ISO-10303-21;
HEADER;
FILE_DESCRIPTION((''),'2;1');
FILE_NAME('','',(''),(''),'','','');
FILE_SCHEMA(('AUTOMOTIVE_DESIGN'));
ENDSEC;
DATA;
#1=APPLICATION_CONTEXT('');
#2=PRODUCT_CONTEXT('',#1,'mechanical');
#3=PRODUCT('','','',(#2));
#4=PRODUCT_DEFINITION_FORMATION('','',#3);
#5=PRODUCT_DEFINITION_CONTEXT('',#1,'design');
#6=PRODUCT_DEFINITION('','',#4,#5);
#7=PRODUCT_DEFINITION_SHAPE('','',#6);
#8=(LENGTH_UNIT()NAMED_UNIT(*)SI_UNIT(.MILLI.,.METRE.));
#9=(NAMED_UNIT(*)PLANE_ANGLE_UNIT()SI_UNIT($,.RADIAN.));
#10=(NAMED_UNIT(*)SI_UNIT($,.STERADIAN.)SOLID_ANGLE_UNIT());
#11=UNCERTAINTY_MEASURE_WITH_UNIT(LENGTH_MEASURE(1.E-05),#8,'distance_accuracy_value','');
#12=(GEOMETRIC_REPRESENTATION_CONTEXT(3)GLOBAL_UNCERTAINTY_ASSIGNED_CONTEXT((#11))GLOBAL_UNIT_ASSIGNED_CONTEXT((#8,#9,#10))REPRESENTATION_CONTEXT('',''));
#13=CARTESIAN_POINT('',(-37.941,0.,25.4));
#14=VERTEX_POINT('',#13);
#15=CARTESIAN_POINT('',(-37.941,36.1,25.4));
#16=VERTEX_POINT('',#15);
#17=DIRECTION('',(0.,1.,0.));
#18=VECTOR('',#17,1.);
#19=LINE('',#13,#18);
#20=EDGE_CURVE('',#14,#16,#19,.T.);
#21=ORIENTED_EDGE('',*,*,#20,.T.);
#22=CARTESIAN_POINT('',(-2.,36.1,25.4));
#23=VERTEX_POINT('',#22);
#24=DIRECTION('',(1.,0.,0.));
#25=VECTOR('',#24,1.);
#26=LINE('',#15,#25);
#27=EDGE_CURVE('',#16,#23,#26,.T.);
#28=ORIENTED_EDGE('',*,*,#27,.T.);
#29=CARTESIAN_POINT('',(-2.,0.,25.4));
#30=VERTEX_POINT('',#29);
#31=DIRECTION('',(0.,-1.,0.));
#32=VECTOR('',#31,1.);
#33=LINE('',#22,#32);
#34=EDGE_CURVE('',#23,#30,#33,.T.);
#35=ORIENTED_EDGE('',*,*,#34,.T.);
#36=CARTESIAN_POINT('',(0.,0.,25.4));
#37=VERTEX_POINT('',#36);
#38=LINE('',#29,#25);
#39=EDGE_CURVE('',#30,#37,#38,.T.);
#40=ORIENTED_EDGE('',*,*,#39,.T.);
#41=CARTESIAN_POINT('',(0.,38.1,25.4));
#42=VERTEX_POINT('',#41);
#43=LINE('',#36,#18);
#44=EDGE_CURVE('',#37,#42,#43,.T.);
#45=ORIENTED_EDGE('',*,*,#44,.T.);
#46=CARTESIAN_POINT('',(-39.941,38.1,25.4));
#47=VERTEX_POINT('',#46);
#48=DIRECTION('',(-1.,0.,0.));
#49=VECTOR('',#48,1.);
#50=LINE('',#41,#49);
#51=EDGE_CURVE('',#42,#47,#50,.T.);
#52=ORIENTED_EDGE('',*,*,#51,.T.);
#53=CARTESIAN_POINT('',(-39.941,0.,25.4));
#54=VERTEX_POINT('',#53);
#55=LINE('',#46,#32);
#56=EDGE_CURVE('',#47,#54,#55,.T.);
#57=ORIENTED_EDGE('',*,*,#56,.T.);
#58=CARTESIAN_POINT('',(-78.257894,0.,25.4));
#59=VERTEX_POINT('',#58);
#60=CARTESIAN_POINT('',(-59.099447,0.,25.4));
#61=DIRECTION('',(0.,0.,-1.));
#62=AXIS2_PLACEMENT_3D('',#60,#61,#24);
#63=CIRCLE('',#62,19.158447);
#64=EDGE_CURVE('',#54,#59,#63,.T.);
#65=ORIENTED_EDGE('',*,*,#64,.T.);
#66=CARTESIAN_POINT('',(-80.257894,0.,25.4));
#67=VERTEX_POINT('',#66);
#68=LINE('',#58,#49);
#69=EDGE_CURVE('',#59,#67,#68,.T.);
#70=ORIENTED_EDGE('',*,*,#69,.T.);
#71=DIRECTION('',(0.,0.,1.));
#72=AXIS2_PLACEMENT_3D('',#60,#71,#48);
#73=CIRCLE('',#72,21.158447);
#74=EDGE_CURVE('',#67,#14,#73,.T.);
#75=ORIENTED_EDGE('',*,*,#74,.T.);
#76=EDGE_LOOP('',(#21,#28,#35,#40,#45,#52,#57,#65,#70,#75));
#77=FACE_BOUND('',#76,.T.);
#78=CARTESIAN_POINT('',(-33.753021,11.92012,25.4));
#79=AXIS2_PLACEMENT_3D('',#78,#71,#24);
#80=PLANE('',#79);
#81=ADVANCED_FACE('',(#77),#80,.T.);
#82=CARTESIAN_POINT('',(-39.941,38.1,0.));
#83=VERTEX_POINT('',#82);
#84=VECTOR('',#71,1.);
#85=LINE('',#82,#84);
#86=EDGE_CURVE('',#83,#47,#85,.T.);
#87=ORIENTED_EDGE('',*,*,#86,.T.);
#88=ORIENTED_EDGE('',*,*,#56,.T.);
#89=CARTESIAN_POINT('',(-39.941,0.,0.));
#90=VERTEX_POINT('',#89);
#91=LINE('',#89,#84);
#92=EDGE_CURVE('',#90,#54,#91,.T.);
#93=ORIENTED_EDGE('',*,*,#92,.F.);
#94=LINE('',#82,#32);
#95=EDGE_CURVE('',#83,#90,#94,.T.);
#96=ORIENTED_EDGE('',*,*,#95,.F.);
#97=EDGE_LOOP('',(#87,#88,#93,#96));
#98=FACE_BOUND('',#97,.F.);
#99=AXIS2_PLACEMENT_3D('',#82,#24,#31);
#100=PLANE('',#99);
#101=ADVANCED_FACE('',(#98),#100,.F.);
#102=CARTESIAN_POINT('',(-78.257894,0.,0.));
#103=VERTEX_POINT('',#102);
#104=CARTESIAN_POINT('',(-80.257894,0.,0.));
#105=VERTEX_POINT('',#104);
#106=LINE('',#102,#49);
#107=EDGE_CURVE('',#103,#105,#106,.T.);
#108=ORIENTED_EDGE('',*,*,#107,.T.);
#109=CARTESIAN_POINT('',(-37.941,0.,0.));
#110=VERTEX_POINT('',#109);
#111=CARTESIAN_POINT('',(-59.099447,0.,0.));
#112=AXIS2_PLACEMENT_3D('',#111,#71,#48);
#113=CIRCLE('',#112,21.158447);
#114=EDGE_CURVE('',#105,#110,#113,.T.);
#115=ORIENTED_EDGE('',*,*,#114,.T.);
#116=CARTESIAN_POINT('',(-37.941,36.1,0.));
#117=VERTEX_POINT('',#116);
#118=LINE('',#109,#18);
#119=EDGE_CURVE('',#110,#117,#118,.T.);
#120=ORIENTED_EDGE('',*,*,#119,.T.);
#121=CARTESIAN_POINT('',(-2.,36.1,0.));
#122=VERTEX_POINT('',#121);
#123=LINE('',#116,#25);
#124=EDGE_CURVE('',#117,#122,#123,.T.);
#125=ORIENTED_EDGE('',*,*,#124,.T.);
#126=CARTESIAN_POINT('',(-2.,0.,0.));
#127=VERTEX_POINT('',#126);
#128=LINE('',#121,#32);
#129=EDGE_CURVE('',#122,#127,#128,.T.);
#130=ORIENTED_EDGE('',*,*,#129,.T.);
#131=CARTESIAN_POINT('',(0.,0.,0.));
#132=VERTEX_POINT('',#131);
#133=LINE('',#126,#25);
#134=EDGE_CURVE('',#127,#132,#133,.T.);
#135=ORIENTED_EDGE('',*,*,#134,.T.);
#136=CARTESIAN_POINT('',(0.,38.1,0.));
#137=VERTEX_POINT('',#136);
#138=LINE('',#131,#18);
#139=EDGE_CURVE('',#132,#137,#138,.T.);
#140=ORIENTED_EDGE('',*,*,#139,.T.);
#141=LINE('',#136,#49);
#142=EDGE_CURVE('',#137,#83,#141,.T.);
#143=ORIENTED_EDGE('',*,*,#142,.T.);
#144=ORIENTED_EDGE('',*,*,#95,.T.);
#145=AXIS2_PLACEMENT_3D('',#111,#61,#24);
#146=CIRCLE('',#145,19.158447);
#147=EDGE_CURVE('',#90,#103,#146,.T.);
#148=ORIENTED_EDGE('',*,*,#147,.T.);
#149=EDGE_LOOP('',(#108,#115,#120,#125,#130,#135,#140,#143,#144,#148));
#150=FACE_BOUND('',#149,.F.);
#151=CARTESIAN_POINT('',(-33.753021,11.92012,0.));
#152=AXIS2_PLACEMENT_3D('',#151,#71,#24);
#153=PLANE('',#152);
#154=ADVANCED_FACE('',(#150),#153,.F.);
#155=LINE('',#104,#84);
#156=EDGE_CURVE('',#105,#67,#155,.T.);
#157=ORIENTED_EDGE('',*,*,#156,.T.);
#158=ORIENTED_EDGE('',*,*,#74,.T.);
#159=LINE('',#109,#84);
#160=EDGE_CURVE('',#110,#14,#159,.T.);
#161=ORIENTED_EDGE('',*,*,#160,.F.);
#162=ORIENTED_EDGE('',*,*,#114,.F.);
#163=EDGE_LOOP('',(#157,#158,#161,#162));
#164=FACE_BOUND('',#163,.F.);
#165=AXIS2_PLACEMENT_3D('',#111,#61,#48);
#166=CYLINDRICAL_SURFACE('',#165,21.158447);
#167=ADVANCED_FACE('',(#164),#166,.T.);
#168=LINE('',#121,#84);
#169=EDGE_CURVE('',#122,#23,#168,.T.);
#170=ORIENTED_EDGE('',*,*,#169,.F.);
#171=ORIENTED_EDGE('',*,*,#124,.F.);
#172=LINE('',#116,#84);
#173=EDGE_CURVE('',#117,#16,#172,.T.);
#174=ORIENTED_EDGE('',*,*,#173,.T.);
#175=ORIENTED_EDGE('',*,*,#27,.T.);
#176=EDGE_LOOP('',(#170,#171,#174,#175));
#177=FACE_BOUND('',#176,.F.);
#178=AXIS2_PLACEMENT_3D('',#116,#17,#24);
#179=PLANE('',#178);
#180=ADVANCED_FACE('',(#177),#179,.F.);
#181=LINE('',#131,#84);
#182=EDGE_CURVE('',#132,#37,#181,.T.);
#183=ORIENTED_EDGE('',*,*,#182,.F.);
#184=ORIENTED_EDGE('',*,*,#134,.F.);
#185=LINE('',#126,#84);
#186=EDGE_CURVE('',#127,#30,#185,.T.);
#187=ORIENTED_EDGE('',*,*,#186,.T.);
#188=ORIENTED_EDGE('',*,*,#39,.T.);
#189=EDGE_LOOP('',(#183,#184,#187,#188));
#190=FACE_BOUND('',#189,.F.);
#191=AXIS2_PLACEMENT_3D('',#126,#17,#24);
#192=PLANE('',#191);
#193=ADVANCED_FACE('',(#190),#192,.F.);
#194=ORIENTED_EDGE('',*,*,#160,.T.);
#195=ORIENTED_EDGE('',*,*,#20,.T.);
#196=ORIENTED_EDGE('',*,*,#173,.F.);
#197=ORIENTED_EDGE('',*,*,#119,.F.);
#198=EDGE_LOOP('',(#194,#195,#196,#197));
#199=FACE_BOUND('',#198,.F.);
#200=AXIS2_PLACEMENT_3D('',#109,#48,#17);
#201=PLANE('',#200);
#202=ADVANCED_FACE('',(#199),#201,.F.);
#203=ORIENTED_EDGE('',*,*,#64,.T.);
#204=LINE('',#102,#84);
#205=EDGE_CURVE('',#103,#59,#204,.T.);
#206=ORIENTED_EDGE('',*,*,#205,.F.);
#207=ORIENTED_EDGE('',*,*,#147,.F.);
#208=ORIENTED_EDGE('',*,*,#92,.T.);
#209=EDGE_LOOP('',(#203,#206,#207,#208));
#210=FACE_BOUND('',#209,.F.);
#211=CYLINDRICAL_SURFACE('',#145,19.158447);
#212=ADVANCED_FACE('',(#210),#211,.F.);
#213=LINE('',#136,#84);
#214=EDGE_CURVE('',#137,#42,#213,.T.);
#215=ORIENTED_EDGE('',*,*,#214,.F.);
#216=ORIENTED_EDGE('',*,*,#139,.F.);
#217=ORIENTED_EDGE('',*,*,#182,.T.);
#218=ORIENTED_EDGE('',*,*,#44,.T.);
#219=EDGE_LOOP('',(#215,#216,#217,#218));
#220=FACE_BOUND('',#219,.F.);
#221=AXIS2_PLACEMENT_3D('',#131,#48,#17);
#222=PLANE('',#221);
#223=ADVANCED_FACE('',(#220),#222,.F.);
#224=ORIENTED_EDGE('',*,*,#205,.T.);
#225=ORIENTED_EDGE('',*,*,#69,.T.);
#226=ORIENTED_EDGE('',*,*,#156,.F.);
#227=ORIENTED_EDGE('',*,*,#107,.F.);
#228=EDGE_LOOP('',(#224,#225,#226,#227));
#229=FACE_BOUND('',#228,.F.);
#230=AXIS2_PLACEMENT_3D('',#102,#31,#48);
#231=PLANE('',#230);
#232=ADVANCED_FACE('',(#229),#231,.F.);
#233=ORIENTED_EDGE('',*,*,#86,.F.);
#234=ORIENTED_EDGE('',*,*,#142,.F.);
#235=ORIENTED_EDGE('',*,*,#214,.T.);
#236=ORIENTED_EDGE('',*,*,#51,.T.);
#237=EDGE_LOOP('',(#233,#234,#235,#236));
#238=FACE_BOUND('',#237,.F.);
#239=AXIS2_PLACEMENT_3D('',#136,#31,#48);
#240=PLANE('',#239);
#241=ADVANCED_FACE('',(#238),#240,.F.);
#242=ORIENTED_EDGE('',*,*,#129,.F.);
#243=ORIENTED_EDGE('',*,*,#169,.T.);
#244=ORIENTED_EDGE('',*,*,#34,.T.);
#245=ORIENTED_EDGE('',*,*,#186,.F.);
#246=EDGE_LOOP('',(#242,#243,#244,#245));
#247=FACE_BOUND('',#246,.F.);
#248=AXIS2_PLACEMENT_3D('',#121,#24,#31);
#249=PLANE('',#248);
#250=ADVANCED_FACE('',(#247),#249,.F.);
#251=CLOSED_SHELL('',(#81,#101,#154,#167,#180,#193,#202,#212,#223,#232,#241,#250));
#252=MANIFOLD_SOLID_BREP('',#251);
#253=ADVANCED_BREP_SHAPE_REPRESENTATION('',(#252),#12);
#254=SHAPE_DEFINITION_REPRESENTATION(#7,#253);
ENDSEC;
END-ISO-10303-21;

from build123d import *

# Parameters (mm, degrees)
F1_DEPTH = 25.4


with BuildPart() as f1:
    # F0 (on Top) → F1 (new body)
    with BuildSketch(Plane.XY):
        with BuildLine():
            Line((-2, 0), (0, 0))
            Line((0, 0), (0, 38.1))
            Line((0, 38.1), (-39.941, 38.1))
            Line((-39.941, 38.1), (-39.941, 0))
            ThreePointArc((-39.941, 0), (-59.099447, -19.158447), (-78.257894, 0))
            Line((-78.257894, 0), (-80.257894, 0))
            ThreePointArc((-80.257894, 0), (-59.099447, -21.158447), (-37.941, 0))
            Line((-37.941, 0), (-37.941, 36.1))
            Line((-37.941, 36.1), (-2, 36.1))
            Line((-2, 36.1), (-2, 0))
        make_face()
    extrude(amount=F1_DEPTH)


solid = f1.part
